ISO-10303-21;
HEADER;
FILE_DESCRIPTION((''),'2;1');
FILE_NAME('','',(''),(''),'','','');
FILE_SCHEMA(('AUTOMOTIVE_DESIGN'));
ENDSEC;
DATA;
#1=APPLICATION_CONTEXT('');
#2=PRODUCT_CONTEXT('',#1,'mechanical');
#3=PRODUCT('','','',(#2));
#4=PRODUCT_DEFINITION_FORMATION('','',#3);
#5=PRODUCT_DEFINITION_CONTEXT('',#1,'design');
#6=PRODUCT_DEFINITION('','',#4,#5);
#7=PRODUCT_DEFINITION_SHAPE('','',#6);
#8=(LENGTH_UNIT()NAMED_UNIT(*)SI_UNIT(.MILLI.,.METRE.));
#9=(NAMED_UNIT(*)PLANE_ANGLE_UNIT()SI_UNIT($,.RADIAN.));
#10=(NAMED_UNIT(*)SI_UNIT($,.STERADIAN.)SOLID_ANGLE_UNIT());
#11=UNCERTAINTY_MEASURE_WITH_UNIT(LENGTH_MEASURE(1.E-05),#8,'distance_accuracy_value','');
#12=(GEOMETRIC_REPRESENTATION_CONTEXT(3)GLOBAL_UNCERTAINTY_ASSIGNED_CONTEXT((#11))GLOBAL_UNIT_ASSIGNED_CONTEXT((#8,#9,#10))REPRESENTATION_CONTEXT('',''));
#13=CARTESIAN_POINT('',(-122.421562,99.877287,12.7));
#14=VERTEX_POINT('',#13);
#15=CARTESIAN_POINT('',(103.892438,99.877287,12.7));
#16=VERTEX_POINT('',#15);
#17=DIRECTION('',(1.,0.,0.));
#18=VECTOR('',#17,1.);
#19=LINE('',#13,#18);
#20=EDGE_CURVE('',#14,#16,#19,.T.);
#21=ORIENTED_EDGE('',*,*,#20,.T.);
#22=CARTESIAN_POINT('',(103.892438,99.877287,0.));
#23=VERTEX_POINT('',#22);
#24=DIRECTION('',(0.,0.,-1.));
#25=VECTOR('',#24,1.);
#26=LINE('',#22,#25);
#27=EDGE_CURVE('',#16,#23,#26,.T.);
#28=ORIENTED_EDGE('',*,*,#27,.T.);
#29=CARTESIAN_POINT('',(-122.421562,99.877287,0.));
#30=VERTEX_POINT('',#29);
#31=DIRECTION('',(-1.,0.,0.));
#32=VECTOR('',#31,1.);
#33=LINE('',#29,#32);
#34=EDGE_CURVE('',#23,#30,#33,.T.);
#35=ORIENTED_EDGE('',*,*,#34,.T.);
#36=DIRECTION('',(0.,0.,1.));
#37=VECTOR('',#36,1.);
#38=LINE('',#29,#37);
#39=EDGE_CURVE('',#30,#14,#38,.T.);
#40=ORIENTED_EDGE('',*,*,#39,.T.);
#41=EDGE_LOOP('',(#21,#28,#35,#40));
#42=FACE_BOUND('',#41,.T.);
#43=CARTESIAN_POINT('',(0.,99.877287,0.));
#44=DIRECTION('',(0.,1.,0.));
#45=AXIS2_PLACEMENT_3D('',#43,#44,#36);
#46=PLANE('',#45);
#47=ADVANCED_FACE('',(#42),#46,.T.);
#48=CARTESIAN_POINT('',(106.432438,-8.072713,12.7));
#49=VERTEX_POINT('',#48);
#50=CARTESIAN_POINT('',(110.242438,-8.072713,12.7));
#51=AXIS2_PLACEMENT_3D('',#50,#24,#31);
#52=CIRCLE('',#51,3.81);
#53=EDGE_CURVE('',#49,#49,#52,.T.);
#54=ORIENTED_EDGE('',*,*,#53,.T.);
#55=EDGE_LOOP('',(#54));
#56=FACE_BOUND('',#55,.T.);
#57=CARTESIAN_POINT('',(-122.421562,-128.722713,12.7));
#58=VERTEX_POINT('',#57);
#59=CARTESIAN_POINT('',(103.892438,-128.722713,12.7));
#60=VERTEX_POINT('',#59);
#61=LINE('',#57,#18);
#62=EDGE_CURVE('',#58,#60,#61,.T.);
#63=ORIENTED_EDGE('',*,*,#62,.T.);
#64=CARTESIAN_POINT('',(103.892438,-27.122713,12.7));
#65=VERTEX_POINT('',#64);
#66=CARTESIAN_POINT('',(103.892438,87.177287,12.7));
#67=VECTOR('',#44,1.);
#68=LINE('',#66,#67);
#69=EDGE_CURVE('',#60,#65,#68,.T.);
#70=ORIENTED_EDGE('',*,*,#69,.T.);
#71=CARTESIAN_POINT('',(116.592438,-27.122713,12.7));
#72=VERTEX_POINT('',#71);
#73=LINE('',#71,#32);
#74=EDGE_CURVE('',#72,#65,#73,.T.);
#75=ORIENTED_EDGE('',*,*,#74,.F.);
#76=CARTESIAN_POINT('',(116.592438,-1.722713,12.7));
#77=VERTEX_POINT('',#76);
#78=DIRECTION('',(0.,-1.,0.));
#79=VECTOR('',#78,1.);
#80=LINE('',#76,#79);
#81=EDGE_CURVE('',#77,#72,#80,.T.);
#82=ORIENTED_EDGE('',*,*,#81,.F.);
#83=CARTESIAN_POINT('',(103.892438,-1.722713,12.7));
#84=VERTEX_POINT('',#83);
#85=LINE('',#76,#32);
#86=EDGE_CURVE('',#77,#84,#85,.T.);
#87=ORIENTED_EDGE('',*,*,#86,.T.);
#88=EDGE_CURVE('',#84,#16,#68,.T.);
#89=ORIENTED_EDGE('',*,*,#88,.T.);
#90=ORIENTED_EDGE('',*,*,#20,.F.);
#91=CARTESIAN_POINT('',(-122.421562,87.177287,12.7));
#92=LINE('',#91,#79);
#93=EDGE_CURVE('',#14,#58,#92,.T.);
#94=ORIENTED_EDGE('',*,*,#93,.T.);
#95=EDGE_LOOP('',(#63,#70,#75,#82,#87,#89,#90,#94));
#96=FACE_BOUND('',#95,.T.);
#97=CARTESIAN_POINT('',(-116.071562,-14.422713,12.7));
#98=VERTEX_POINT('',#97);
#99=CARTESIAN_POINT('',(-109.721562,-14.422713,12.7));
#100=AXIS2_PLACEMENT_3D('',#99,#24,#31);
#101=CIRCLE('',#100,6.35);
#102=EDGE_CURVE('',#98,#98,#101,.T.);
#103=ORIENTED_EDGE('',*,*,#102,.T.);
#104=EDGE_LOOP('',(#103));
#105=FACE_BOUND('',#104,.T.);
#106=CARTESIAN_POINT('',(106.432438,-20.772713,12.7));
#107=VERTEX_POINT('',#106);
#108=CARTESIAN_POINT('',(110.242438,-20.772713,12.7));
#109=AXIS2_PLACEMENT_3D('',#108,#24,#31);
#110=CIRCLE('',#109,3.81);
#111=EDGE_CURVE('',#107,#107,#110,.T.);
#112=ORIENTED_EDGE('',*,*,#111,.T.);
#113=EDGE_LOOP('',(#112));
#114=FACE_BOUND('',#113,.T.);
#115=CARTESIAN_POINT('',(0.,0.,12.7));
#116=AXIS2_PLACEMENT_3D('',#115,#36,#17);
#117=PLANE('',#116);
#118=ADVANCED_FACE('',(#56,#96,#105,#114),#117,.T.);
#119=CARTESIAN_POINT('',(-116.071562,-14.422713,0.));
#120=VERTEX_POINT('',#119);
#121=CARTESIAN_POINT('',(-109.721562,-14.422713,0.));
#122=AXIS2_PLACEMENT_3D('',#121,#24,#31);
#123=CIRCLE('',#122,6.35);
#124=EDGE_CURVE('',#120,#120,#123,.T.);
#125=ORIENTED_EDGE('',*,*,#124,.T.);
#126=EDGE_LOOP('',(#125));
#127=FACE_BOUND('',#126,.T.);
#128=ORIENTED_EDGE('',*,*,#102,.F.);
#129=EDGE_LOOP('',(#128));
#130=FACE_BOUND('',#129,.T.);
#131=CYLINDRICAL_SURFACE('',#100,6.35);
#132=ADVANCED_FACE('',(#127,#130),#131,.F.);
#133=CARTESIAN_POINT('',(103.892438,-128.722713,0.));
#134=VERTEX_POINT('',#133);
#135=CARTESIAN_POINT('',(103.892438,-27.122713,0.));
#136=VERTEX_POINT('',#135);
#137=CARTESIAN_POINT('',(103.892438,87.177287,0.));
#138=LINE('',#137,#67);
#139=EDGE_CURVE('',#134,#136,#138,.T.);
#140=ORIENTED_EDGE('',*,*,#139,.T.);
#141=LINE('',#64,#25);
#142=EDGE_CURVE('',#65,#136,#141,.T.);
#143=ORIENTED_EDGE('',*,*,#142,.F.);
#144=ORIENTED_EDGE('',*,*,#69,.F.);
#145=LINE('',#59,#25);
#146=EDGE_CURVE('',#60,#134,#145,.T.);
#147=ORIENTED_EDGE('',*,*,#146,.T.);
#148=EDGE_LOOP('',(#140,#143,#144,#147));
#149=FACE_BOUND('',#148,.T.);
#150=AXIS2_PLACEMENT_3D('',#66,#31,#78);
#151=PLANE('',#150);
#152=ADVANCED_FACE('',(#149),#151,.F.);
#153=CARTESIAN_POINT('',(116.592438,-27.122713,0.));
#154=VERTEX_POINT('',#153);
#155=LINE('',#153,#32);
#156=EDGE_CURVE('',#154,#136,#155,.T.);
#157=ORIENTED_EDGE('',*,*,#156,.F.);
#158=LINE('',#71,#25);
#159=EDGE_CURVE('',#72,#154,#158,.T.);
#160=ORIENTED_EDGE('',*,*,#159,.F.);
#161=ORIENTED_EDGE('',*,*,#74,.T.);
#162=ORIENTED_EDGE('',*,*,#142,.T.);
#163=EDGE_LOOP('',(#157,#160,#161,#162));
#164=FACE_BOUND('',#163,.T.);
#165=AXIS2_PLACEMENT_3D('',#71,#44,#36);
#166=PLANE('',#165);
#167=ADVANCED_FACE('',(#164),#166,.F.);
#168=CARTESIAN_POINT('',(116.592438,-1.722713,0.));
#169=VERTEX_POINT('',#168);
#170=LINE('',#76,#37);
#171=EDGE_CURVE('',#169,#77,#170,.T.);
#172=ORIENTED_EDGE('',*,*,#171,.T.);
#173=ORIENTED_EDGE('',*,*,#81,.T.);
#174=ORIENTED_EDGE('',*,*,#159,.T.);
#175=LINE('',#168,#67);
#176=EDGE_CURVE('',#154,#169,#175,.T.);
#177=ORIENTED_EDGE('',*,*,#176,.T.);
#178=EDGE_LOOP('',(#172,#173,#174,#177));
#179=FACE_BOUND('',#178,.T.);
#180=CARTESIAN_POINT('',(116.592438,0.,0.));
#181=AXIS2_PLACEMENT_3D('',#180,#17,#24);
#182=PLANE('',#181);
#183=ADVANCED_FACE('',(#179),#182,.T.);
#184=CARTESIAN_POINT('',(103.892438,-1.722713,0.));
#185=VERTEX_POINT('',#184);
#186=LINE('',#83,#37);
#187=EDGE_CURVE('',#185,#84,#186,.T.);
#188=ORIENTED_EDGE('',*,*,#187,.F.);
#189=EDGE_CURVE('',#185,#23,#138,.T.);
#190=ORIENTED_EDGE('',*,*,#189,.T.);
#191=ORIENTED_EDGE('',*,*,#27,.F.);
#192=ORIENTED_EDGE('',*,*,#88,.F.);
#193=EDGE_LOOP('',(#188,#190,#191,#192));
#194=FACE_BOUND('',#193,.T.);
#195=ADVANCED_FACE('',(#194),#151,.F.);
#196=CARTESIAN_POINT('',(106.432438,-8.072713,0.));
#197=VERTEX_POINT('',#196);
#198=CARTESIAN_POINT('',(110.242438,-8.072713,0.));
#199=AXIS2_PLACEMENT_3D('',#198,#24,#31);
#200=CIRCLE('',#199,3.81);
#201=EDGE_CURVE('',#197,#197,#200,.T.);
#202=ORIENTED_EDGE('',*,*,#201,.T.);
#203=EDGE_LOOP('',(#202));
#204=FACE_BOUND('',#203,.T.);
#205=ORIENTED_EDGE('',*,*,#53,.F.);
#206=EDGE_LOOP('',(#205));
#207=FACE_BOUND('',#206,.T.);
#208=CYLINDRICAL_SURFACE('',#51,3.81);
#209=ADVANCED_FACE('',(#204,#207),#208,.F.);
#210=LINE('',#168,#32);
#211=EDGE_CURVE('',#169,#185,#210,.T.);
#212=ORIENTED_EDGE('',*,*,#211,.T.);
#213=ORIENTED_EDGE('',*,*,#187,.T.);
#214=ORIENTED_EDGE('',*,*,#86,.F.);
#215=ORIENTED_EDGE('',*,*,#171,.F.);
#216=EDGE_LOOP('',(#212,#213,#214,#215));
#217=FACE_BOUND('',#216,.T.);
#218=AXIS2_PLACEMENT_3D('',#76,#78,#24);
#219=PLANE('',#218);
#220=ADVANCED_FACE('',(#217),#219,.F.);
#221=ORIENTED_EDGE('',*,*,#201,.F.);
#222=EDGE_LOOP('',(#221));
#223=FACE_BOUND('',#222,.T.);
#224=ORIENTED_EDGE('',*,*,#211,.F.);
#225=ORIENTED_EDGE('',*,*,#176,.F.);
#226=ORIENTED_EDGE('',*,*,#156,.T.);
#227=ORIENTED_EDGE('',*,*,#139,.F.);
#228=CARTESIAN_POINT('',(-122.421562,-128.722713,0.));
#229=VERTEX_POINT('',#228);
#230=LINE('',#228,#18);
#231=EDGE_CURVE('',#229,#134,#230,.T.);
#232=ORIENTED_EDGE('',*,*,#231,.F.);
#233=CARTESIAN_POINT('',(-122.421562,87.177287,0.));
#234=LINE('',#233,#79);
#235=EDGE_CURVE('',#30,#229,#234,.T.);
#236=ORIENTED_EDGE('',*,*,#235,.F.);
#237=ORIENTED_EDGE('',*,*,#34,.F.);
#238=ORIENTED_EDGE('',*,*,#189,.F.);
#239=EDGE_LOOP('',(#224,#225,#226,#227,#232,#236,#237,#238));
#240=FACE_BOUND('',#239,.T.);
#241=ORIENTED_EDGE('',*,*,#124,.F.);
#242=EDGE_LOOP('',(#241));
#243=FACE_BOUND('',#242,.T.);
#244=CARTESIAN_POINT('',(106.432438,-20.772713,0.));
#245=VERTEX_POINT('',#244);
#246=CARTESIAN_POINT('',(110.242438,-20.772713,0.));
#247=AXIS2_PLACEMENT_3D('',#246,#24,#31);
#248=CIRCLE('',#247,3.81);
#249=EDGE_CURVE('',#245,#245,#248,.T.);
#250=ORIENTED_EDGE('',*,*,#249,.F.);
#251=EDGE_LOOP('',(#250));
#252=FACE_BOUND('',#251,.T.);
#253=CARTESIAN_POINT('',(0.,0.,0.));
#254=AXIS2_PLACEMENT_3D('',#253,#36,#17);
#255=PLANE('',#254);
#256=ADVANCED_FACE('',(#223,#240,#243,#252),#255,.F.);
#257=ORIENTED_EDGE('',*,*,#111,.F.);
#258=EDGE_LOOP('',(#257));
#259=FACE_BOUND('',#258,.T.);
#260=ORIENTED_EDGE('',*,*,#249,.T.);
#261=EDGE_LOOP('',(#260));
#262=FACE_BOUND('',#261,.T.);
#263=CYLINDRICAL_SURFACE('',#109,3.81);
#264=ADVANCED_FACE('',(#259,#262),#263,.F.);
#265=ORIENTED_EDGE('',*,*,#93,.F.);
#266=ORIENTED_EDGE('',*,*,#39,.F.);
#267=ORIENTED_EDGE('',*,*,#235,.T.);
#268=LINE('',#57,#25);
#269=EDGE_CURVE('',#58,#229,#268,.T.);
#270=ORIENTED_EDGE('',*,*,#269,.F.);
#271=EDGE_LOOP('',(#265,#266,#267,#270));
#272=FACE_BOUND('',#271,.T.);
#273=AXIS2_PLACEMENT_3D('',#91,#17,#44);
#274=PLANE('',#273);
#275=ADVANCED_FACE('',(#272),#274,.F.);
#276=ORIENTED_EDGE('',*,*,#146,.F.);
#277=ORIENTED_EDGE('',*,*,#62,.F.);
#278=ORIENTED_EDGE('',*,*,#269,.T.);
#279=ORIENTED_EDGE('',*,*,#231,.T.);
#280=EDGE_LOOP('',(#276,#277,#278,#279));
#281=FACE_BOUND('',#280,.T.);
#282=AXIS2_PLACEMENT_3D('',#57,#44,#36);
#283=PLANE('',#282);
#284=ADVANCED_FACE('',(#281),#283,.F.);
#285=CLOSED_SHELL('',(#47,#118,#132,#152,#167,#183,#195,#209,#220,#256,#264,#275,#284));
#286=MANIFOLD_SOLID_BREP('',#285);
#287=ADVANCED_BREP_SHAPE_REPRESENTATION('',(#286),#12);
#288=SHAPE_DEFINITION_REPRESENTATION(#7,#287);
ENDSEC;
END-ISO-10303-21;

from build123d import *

# Parameters (mm, degrees)
SKETCH2_W           = 226.314
SKETCH2_H           = 215.9
BOSS_EXTRUDE1_DEPTH = 12.7
SKETCH3_W           = 12.7
SKETCH3_H           = 25.4
BOSS_EXTRUDE2_DEPTH = 12.7
SKETCH4_R           = 6.35
SKETCH4_R_2         = 3.81
CUT_EXTRUDE1_DEPTH  = 12.7
SKETCH5_W           = 226.314
SKETCH5_H           = 12.7
BOSS_EXTRUDE3_DEPTH = 12.7


with BuildPart() as part:
    # Sketch2 → Boss-Extrude1 (new body)
    with BuildSketch(Plane.XY):
        with Locations((-9.264561791, -20.772712934)):
            Rectangle(SKETCH2_W, SKETCH2_H)
    extrude(amount=BOSS_EXTRUDE1_DEPTH)

    # Sketch3 → Boss-Extrude2 (add)
    with BuildSketch(Plane(origin=(103.892438209, 0, 0), x_dir=(0, 0, -1), z_dir=(1, 0, 0))):
        with Locations((-6.35, -14.422712934)):
            Rectangle(SKETCH3_W, SKETCH3_H)
    extrude(amount=BOSS_EXTRUDE2_DEPTH)

    # Sketch4 → Cut-Extrude1 (cut)
    with BuildSketch(Plane(origin=(0, 0, 0), x_dir=(-1, 0, 0), z_dir=(0, 0, -1))):
        with Locations((109.721561791, -14.422712934)):
            Circle(SKETCH4_R)
        with Locations((-110.242438209, -8.072712934)):
            Circle(SKETCH4_R_2)
        with Locations((-110.242438209, -20.772712934)):
            Circle(SKETCH4_R_2)
    extrude(amount=-CUT_EXTRUDE1_DEPTH, mode=Mode.SUBTRACT)

    # Sketch5 → Boss-Extrude3 (add)
    with BuildSketch(Plane(origin=(0, 87.177287066, 0), x_dir=(1, 0, 0), z_dir=(0, 1, 0))):
        with Locations((-9.264561791, -6.35)):
            Rectangle(SKETCH5_W, SKETCH5_H)
    extrude(amount=BOSS_EXTRUDE3_DEPTH)


solid = part.part
